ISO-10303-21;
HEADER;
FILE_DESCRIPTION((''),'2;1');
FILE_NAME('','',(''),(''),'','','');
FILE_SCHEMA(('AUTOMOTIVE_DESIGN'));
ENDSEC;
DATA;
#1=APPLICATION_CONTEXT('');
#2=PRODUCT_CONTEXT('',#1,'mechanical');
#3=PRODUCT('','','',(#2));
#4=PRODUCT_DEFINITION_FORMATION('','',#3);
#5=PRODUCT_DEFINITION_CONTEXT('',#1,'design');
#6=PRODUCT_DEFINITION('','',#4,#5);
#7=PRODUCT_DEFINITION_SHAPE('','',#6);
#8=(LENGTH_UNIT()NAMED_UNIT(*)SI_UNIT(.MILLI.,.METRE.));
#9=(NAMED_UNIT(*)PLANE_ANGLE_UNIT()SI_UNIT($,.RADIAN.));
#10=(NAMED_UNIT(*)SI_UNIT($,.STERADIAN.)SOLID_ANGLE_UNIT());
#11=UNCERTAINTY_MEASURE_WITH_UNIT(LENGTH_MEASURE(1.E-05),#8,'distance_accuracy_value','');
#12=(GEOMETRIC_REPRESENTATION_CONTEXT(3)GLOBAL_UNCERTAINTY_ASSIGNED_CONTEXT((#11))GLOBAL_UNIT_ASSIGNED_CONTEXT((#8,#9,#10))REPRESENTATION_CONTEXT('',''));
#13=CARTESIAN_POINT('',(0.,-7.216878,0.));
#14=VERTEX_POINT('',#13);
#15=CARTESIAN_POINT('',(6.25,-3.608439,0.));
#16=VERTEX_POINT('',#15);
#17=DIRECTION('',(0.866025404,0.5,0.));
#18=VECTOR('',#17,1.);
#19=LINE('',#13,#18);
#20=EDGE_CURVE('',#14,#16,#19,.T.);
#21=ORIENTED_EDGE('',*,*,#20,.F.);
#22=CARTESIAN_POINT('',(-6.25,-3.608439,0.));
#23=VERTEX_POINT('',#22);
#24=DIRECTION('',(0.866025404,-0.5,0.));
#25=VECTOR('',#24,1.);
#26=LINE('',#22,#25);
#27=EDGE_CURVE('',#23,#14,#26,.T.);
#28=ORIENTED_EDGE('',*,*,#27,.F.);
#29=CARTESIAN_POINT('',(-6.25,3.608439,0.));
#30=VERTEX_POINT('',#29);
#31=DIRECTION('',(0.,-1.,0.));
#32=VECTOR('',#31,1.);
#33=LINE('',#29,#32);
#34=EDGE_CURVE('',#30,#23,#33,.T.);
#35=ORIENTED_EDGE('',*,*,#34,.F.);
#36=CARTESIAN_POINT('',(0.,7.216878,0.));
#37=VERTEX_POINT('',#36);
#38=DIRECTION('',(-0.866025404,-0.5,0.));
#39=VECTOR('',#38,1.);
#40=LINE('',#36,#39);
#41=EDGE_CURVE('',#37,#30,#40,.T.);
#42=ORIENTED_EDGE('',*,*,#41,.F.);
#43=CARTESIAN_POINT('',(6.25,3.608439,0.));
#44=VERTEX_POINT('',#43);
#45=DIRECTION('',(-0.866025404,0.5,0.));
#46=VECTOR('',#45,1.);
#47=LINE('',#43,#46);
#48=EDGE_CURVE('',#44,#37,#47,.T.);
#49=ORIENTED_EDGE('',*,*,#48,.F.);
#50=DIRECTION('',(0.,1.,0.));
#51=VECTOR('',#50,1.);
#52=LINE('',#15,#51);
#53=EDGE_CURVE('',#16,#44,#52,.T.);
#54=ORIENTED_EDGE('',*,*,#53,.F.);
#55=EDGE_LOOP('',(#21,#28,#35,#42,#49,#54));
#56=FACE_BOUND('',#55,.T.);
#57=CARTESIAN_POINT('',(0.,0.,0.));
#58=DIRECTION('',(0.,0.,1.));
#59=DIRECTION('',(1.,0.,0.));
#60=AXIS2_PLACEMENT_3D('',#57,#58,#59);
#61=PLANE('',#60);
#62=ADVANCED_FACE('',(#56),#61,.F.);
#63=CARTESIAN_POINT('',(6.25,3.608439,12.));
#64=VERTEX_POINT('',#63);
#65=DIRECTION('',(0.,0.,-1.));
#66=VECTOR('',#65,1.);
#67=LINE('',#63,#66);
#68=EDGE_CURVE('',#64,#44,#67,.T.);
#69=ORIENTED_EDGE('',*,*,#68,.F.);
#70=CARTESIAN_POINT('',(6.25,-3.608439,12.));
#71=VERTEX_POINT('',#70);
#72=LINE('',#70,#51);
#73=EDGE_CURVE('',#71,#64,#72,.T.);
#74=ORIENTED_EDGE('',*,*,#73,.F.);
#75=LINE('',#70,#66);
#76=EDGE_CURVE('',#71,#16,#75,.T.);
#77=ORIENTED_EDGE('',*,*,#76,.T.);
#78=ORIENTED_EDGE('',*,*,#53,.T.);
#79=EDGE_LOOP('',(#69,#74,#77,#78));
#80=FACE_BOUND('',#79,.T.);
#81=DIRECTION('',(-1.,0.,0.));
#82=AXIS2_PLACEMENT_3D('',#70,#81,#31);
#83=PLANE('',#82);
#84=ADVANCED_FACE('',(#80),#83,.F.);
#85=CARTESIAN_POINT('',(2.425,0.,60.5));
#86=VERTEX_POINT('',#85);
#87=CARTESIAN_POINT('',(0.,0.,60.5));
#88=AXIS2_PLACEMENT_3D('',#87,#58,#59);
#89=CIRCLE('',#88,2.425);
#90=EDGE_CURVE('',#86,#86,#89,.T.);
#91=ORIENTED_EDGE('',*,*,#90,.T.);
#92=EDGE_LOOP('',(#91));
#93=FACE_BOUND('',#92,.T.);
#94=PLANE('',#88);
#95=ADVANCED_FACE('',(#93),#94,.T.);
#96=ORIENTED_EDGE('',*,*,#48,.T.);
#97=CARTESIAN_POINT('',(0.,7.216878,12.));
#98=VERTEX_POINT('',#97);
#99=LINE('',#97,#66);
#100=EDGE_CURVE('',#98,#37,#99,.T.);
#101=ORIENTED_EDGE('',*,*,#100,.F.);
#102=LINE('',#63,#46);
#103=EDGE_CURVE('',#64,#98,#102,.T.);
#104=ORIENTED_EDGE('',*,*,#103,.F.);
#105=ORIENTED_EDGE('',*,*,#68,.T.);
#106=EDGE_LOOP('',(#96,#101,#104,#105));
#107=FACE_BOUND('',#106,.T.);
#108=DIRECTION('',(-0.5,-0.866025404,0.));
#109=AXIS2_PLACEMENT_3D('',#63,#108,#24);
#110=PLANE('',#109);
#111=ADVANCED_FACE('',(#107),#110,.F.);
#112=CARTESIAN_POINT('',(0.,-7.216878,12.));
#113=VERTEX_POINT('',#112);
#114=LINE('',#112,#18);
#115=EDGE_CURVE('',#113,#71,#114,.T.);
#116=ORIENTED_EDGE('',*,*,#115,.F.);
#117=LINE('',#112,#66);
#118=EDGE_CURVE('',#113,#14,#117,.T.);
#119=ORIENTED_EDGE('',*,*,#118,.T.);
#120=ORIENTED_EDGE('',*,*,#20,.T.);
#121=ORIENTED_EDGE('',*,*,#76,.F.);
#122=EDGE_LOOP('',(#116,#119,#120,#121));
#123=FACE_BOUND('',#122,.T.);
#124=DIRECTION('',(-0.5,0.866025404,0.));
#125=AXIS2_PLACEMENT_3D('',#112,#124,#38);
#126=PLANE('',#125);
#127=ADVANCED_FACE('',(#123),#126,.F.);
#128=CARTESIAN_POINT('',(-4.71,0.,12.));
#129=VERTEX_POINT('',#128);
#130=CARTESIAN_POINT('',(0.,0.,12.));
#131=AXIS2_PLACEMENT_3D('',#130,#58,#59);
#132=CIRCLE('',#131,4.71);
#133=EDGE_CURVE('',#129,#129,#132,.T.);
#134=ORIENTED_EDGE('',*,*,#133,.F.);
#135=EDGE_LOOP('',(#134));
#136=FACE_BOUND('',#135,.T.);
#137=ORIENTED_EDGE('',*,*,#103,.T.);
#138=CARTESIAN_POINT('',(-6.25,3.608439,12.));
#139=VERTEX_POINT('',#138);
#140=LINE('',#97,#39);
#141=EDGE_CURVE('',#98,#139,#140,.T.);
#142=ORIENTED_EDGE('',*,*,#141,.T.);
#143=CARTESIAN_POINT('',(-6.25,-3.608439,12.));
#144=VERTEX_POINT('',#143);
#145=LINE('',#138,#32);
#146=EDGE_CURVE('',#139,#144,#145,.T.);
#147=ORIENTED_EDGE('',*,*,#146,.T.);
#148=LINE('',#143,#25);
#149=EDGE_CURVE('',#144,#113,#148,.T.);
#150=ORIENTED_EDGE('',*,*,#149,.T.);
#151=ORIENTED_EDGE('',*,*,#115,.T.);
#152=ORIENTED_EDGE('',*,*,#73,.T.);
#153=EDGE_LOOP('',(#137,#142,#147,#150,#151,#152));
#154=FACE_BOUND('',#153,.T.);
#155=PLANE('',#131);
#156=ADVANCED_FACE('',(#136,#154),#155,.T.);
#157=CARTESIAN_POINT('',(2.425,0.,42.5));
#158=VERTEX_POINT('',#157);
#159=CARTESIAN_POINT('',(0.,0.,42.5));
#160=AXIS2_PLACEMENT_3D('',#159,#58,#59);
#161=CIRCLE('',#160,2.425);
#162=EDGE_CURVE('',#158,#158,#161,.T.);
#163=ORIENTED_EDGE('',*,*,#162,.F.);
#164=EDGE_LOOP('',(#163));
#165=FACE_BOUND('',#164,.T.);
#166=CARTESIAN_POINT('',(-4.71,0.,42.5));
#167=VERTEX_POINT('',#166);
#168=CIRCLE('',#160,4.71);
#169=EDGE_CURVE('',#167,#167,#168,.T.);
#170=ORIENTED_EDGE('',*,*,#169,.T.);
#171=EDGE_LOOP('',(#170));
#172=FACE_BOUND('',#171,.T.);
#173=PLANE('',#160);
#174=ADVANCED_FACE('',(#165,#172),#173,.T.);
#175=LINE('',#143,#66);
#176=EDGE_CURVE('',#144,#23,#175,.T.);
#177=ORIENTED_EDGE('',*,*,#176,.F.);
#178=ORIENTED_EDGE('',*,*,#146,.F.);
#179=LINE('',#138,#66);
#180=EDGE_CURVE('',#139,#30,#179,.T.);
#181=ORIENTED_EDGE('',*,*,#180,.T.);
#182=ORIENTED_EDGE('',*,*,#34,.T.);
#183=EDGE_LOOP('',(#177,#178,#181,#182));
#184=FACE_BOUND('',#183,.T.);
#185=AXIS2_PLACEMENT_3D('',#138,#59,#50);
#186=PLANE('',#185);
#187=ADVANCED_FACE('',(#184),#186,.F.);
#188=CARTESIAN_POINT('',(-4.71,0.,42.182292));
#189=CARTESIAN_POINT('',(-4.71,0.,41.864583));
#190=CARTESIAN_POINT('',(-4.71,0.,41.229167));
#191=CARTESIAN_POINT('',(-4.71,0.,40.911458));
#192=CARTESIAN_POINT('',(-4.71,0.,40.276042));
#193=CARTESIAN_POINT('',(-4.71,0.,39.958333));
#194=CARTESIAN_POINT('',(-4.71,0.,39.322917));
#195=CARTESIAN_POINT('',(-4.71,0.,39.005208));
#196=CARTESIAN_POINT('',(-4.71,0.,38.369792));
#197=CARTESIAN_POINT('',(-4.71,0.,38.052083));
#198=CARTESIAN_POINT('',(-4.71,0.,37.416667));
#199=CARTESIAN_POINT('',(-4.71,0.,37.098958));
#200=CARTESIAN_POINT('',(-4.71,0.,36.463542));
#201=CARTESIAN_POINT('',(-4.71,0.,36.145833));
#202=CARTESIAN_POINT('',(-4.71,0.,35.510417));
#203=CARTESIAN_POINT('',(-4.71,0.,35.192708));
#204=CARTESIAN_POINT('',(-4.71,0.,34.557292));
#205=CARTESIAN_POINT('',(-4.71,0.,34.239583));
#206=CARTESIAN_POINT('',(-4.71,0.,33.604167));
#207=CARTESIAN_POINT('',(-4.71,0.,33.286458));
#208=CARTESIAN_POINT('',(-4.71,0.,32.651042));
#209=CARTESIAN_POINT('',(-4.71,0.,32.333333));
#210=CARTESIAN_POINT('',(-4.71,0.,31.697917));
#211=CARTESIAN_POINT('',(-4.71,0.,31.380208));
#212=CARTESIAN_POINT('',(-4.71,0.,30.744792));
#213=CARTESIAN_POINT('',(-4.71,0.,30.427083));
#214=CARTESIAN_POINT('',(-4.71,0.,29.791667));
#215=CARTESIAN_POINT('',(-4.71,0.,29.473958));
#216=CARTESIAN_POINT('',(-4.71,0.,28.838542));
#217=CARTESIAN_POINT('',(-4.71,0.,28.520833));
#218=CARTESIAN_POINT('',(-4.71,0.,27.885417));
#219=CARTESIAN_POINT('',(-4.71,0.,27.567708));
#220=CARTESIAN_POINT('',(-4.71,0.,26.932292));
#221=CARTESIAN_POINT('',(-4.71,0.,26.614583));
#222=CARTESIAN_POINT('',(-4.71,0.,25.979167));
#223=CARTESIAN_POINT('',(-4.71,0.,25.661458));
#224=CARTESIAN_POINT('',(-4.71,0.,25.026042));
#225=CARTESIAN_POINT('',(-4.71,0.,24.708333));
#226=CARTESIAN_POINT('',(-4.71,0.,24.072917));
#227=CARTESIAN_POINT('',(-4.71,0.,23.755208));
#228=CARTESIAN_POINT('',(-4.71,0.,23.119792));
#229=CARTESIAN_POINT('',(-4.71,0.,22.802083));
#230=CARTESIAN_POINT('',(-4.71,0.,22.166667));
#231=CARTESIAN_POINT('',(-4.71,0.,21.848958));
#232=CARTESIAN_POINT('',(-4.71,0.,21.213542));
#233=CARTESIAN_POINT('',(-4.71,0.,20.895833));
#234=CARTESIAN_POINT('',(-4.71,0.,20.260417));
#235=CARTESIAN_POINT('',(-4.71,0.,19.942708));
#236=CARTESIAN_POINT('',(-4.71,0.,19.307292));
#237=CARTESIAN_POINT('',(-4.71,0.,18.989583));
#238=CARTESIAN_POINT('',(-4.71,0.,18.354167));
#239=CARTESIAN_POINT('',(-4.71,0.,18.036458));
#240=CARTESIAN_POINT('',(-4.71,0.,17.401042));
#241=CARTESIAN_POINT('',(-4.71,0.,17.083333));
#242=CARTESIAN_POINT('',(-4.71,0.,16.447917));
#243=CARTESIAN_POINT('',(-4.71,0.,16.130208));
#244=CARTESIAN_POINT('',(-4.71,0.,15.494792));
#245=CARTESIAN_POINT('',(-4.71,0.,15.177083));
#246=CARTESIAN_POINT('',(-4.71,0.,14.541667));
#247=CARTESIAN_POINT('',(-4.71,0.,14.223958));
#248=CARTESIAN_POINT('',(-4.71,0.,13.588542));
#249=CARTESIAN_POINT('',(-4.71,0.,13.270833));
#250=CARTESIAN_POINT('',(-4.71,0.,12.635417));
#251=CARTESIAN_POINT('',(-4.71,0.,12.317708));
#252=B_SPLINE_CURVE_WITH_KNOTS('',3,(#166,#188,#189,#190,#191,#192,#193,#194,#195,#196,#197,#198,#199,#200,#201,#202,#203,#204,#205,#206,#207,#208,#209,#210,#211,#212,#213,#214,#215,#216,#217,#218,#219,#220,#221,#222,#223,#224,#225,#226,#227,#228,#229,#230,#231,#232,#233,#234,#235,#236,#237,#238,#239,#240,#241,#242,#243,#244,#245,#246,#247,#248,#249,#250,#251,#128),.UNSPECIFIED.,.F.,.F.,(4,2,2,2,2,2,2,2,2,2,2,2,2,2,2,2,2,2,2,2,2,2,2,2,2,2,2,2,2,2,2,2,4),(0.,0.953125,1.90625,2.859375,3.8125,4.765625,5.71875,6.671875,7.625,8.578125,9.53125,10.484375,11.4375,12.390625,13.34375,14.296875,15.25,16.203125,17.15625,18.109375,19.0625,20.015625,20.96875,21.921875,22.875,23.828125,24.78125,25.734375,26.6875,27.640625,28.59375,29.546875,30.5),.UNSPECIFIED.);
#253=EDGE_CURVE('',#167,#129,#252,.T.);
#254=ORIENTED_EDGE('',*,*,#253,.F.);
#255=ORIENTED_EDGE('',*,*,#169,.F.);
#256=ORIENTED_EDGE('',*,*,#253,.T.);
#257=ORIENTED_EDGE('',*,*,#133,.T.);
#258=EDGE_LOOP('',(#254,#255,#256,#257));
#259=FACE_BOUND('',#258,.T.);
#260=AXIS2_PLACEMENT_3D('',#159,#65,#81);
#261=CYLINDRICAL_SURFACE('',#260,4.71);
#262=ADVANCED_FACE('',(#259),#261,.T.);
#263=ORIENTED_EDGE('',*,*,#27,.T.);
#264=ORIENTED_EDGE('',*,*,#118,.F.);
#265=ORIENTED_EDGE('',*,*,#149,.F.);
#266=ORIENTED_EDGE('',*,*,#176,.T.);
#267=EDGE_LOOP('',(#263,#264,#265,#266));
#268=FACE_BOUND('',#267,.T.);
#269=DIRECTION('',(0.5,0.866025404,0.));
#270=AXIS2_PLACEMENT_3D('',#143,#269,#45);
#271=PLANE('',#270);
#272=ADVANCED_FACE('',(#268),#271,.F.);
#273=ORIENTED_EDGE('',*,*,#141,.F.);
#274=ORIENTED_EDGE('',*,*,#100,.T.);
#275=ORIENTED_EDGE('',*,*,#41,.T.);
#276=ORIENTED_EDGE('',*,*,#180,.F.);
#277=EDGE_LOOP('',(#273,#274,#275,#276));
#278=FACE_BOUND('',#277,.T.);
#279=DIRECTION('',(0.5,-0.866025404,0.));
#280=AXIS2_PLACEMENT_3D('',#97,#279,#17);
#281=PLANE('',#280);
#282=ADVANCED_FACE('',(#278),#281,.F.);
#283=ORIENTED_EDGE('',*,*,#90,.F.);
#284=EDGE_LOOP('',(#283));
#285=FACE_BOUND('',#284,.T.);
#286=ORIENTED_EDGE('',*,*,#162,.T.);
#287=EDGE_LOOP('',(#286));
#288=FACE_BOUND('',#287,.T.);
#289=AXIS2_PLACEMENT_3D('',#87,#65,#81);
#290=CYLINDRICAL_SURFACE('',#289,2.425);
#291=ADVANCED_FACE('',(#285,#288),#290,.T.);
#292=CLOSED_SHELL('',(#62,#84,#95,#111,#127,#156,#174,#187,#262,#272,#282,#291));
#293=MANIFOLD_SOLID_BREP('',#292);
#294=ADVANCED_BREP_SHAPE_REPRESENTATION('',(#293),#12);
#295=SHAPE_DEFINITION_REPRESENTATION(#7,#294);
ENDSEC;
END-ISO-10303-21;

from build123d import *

# Parameters (mm, degrees)
SALIENTE_EXTRUIR1_DEPTH = 12
CROQUIS2_R              = 4.71
SALIENTE_EXTRUIR2_DEPTH = 30.5
CROQUIS3_R              = 2.425
SALIENTE_EXTRUIR3_DEPTH = 18


with BuildPart() as part:
    # Croquis1 → Saliente-Extruir1 (new body)
    with BuildSketch(Plane.XY):
        Polygon((0, 7.216878365), (-6.25, 3.608439182), (-6.25, -3.608439182), (0, -7.216878365), (6.25, -3.608439182), (6.25, 3.608439182), align=None)
    extrude(amount=SALIENTE_EXTRUIR1_DEPTH)

    # Croquis2 → Saliente-Extruir2 (add)
    with BuildSketch(Plane.XY.offset(12)):
        with Locations(Location((0, 0, 0), (0, 0, 180))):
            Circle(CROQUIS2_R)
    extrude(amount=SALIENTE_EXTRUIR2_DEPTH)

    # Croquis3 → Saliente-Extruir3 (add)
    with BuildSketch(Plane.XY.offset(42.5)):
        Circle(CROQUIS3_R)
    extrude(amount=SALIENTE_EXTRUIR3_DEPTH)


solid = part.part
